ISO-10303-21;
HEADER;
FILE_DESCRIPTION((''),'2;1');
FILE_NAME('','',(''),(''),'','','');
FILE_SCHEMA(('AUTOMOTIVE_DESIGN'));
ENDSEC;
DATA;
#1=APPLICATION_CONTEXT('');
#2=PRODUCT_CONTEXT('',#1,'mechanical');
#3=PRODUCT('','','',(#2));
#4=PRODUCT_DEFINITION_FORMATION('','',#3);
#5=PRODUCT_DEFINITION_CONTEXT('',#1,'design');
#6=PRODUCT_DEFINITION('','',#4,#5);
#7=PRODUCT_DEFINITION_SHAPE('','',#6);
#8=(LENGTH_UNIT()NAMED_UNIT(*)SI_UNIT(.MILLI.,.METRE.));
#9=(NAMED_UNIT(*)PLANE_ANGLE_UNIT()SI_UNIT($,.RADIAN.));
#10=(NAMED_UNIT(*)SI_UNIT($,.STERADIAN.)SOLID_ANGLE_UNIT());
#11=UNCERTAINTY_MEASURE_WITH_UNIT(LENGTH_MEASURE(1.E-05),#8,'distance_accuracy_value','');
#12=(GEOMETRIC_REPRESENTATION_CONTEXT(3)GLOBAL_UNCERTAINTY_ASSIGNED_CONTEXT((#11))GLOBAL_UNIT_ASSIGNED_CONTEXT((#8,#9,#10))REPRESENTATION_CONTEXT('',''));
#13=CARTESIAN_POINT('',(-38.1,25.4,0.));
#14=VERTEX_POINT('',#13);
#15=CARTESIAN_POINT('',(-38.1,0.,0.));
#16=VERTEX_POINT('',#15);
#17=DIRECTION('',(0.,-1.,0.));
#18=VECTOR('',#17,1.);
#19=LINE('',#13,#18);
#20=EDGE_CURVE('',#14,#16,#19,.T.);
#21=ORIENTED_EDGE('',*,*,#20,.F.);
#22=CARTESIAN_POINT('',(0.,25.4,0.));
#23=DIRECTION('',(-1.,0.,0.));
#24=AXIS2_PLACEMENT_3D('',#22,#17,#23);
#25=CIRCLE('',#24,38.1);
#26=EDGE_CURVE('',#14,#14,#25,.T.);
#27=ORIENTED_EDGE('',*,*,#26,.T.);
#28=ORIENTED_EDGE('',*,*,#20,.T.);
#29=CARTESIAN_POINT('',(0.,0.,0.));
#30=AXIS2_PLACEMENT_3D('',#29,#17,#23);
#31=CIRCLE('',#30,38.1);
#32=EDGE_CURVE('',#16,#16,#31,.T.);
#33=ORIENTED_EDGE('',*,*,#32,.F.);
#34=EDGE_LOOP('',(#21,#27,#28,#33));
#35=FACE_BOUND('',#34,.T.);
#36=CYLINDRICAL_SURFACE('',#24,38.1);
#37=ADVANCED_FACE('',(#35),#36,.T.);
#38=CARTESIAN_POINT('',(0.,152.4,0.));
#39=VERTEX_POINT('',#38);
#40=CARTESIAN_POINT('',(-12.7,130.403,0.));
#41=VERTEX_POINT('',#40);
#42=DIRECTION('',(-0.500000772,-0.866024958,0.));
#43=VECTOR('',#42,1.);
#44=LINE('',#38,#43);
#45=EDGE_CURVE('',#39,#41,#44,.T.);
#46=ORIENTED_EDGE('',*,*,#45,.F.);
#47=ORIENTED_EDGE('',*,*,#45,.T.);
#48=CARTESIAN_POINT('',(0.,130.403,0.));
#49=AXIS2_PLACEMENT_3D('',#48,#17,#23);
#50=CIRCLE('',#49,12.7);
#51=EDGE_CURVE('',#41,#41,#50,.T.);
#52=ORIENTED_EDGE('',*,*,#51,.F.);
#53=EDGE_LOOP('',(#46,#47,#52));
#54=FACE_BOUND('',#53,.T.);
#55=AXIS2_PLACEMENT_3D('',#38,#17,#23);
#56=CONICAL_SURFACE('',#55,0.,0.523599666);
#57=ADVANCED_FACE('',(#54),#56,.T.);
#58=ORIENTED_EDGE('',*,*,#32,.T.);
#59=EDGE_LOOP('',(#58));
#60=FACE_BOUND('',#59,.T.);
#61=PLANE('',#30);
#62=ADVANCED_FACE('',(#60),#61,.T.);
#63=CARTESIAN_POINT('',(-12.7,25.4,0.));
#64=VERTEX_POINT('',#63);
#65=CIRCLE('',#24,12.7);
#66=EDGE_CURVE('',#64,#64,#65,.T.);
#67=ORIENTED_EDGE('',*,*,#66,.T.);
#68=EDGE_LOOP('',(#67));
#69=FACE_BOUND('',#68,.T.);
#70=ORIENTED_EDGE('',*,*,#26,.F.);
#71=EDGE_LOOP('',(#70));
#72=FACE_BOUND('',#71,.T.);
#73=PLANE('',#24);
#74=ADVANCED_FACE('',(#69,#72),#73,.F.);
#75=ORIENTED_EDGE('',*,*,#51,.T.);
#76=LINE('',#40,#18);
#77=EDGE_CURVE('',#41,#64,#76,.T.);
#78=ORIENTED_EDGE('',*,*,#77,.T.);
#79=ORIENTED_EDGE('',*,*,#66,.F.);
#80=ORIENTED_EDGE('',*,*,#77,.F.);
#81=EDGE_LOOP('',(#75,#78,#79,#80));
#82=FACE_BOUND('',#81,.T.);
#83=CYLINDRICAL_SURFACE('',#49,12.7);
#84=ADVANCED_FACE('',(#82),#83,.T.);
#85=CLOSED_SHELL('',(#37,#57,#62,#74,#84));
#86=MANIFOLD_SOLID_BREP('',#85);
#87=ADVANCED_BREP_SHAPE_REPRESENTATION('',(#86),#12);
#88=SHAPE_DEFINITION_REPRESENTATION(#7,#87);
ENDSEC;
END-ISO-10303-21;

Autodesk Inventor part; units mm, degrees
ref_plane "YZ Plane" through (0, 0, 0) normal (1, 0, 0) x (0, 1, 0)
ref_plane "XZ Plane" through (0, 0, 0) normal (0, 1, 0) x (-1, 0, 0)
ref_plane "XY Plane" through (0, 0, 0) normal (0, 0, 1) x (1, 0, 0)
sketch "Sketch1" plane through (0, 0, 0) normal (0, 0, 1) x (1, 0, 0)
  line L0 (0, 152.4) -> (-12.7, 130.403)
  line L1 (-12.7, 130.403) -> (-12.7, 25.4)
  line L2 (-12.7, 25.4) -> (-38.1, 25.4)
  line L3 (-38.1, 25.4) -> (-38.1, 0)
  line L4 (-38.1, 0) -> (0, 0)
  line L5 (0, 152.4) -> (0, 0)
  dimension "d0" = 152.4
  dimension "d1" = 0
  dimension "d2" = 25.4
  dimension "d5" = 30
  dimension "d7" = 12.7
revolve "Revolution1" add sketch "Sketch1" angle 360 about axis through (0, 152.4, 0) along (0, -1, 0)
thread "Thread1" size "1-8 UNC" class "2A" standard "ANSI Unified Screw Threads" full length
properties part number "handle"
